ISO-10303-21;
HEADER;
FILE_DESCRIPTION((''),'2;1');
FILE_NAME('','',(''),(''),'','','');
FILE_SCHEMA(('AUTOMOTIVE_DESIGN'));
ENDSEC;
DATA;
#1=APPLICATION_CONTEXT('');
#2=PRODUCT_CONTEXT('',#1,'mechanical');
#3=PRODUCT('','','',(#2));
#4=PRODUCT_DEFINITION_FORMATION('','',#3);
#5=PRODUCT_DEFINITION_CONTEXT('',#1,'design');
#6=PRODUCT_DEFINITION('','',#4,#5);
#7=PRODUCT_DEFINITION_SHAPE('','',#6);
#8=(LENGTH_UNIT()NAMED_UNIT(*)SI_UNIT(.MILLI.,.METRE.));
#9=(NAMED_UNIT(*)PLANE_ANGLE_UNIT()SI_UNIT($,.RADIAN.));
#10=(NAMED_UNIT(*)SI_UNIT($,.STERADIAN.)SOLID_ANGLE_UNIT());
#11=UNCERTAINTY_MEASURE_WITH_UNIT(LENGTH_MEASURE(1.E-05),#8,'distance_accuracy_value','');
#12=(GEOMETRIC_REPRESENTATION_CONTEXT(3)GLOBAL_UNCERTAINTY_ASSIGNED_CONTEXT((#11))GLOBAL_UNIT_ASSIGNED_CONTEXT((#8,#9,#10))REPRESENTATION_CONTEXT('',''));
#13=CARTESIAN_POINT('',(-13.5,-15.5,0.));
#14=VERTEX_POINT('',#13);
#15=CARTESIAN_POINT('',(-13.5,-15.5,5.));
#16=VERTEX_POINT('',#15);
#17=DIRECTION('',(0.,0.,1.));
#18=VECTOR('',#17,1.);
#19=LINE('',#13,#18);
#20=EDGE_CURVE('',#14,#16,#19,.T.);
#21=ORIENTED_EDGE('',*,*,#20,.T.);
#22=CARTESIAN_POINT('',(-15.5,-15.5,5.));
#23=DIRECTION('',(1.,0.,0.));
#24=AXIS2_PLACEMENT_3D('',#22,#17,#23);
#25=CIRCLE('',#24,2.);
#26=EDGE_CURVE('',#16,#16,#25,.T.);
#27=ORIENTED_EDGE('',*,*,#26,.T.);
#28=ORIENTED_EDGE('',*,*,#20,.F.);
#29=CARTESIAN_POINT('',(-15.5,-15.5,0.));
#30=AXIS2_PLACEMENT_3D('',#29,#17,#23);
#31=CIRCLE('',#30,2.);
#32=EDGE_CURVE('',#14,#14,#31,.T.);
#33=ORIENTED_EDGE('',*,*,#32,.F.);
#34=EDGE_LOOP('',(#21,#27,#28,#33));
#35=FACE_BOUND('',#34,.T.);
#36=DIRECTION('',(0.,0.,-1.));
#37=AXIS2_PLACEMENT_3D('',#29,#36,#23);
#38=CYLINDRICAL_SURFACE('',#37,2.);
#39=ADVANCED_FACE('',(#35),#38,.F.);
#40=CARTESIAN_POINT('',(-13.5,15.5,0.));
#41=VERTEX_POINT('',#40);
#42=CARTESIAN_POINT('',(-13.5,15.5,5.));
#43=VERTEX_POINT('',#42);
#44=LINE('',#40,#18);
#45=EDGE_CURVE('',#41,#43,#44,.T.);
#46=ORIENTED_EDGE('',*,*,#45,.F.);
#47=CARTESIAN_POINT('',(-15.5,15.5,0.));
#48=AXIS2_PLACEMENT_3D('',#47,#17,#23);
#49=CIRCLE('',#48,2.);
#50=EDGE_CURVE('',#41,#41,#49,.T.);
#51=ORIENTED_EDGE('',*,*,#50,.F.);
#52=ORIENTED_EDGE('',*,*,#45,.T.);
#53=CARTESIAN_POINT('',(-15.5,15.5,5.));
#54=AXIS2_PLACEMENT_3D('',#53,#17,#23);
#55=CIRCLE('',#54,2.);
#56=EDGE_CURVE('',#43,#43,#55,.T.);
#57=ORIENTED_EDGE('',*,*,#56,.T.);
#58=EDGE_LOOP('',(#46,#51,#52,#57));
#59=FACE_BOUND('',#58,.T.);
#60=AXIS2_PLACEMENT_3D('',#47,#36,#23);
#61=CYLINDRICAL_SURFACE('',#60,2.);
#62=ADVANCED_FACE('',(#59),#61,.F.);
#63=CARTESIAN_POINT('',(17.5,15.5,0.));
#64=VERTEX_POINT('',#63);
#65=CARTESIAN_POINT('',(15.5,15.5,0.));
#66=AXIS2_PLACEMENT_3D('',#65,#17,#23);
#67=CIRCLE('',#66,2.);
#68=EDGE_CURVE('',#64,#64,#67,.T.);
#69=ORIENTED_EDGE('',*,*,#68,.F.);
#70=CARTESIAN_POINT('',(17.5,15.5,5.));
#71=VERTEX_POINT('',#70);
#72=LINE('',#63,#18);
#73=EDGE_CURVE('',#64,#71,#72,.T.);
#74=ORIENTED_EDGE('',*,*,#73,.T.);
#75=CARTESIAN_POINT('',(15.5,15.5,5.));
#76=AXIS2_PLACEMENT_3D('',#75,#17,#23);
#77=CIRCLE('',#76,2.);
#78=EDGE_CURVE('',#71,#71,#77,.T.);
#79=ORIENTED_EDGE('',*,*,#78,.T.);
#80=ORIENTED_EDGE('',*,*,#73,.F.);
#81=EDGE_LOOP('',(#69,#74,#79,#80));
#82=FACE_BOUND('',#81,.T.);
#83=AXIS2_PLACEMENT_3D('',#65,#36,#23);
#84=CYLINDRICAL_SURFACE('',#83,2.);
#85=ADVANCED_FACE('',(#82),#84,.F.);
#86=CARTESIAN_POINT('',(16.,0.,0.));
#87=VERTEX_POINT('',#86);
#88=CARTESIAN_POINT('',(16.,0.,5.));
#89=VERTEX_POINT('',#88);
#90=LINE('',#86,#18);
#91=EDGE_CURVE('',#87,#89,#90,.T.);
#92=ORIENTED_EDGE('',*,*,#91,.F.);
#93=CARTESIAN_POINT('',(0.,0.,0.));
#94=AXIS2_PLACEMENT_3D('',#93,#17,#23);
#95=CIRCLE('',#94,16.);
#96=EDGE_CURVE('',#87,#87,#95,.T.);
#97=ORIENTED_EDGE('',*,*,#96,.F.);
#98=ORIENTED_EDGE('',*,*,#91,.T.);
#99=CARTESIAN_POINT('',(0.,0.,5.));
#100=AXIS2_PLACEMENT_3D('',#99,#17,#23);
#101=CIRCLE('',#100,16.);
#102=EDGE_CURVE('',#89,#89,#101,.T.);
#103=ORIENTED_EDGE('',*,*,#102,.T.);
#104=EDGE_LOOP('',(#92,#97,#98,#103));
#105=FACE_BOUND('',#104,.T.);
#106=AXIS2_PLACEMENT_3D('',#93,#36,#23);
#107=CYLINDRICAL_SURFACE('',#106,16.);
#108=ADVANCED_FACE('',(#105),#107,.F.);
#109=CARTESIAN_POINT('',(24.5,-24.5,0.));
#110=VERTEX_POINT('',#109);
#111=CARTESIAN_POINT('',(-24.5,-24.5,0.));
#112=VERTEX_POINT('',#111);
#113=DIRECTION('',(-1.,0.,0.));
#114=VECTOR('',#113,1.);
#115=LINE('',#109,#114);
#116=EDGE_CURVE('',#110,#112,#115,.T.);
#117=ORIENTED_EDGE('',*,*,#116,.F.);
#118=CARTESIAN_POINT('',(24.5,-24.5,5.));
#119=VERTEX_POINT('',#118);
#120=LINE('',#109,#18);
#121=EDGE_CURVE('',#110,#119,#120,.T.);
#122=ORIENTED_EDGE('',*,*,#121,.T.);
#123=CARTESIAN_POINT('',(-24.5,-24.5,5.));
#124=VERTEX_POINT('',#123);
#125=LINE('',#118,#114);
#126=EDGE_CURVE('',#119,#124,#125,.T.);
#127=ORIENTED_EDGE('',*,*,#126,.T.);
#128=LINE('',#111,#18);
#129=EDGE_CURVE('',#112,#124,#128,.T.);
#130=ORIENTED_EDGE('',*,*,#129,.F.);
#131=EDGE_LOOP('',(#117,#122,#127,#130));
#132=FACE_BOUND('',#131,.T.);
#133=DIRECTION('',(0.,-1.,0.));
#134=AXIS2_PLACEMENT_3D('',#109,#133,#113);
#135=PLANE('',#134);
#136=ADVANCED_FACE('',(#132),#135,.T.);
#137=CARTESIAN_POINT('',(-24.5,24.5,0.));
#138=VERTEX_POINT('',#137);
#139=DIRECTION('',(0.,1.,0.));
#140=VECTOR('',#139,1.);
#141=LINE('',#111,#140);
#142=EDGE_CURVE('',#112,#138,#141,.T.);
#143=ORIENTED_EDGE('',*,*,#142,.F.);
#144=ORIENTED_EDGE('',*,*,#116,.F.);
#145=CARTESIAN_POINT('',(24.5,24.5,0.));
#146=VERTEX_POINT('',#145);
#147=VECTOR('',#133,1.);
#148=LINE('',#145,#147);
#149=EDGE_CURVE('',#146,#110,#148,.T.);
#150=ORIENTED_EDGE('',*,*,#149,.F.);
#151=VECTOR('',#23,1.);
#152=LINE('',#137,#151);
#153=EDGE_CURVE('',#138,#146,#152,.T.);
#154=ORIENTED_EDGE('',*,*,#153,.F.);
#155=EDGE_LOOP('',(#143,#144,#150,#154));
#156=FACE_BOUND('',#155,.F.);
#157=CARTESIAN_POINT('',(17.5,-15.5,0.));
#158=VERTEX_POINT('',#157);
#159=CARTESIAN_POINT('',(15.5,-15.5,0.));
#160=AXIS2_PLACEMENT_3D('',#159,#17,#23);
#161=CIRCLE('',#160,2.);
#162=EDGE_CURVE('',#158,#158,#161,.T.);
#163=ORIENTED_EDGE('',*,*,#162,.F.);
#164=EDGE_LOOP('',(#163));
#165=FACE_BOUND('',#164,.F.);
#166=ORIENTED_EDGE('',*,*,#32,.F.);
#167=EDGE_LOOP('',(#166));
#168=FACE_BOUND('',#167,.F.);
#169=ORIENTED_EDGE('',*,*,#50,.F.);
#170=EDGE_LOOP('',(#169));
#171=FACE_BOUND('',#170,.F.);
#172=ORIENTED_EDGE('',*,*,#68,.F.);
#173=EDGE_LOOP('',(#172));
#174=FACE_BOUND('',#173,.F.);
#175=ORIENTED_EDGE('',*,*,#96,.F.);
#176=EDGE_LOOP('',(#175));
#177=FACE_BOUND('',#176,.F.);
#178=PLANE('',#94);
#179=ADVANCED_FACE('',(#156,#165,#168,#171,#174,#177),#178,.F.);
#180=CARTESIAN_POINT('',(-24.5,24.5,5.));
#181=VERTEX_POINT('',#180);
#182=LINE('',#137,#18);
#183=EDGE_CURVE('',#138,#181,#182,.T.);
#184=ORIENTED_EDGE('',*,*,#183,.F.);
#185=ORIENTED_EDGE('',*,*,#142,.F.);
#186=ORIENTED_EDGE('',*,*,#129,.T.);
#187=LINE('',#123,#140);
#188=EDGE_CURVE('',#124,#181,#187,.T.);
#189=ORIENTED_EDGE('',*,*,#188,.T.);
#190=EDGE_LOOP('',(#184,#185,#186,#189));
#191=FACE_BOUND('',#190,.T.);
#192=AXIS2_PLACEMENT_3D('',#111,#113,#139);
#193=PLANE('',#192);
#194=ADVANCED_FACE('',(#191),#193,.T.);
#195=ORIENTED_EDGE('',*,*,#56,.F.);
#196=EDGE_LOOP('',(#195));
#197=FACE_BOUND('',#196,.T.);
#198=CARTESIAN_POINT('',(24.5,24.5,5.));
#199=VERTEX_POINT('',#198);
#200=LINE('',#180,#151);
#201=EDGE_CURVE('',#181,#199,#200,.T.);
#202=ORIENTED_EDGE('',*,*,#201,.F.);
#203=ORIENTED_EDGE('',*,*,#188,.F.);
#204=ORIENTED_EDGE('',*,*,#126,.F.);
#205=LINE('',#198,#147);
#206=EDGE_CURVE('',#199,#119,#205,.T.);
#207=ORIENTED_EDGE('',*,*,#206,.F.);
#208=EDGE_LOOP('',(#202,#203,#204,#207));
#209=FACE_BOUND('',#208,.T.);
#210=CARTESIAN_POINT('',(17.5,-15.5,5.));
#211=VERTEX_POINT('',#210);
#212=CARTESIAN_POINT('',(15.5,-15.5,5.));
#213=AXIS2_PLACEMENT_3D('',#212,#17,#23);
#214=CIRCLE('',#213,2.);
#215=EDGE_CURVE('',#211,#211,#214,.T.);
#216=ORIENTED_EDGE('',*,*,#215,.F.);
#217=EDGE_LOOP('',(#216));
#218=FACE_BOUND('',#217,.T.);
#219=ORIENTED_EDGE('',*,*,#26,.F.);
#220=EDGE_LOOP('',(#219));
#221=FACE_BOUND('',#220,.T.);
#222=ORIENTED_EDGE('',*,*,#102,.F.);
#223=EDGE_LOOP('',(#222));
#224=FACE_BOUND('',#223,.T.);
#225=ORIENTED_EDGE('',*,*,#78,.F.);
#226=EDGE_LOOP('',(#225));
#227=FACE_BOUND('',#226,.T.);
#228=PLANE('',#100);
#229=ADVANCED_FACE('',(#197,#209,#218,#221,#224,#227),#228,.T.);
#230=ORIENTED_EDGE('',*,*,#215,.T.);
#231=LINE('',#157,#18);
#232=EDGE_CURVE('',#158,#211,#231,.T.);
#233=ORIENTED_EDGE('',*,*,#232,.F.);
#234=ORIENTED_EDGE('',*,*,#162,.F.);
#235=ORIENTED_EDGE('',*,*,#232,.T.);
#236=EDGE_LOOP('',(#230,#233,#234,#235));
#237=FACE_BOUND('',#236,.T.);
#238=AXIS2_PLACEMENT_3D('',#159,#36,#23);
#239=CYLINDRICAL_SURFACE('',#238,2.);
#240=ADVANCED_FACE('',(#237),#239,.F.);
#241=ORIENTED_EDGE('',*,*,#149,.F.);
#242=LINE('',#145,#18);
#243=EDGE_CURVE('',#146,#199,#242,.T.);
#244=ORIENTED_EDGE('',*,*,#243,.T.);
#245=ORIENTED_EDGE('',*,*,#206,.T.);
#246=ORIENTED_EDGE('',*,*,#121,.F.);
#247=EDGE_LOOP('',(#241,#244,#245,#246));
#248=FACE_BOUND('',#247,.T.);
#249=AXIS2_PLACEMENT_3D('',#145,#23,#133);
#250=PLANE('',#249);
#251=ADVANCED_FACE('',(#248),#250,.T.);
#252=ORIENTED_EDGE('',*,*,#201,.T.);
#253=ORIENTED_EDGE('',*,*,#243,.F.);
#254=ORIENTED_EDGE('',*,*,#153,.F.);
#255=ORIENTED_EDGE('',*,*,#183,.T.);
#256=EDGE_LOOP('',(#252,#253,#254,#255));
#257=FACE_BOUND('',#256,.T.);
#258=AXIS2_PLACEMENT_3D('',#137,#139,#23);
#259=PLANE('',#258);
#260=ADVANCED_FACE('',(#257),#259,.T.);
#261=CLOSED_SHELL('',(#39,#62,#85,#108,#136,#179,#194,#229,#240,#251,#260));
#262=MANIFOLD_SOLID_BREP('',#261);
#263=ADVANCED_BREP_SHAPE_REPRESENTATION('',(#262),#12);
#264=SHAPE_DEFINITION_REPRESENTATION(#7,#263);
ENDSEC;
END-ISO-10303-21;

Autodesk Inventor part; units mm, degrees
ref_plane "YZ Plane" through (0, 0, 0) normal (1, 0, 0) x (0, 1, 0)
ref_plane "XZ Plane" through (0, 0, 0) normal (0, 1, 0) x (-1, 0, 0)
ref_plane "XY Plane" through (0, 0, 0) normal (0, 0, 1) x (1, 0, 0)
sketch "Boceto1" plane through (0, 0, 0) normal (0, 0, 1) x (1, 0, 0)
  line L0 (-24.5, 24.5) -> (24.5, 24.5)
  line L1 (24.5, 24.5) -> (24.5, -24.5)
  line L2 (24.5, -24.5) -> (-24.5, -24.5)
  line L3 (-24.5, -24.5) -> (-24.5, 24.5)
  line L4 (-24.5, 24.5) -> (24.5, -24.5) construction
  line L5 (24.5, 24.5) -> (-24.5, -24.5) construction
  circle A0 centre (15.5, 15.5) radius 2
  circle A1 centre (-15.5, 15.5) radius 2
  circle A2 centre (-15.5, -15.5) radius 2
  circle A3 centre (15.5, -15.5) radius 2
  circle A4 centre (0, 0) radius 16
  dimension "d0" = 49
  dimension "d1" = 49
  dimension "d2" = 4
  dimension "d3" = 9
  dimension "d6" = 360
  dimension "d10" = 32
extrude "Extrusión1" add sketch "Boceto1" along normal blind 5
properties part number "depth-camera"
